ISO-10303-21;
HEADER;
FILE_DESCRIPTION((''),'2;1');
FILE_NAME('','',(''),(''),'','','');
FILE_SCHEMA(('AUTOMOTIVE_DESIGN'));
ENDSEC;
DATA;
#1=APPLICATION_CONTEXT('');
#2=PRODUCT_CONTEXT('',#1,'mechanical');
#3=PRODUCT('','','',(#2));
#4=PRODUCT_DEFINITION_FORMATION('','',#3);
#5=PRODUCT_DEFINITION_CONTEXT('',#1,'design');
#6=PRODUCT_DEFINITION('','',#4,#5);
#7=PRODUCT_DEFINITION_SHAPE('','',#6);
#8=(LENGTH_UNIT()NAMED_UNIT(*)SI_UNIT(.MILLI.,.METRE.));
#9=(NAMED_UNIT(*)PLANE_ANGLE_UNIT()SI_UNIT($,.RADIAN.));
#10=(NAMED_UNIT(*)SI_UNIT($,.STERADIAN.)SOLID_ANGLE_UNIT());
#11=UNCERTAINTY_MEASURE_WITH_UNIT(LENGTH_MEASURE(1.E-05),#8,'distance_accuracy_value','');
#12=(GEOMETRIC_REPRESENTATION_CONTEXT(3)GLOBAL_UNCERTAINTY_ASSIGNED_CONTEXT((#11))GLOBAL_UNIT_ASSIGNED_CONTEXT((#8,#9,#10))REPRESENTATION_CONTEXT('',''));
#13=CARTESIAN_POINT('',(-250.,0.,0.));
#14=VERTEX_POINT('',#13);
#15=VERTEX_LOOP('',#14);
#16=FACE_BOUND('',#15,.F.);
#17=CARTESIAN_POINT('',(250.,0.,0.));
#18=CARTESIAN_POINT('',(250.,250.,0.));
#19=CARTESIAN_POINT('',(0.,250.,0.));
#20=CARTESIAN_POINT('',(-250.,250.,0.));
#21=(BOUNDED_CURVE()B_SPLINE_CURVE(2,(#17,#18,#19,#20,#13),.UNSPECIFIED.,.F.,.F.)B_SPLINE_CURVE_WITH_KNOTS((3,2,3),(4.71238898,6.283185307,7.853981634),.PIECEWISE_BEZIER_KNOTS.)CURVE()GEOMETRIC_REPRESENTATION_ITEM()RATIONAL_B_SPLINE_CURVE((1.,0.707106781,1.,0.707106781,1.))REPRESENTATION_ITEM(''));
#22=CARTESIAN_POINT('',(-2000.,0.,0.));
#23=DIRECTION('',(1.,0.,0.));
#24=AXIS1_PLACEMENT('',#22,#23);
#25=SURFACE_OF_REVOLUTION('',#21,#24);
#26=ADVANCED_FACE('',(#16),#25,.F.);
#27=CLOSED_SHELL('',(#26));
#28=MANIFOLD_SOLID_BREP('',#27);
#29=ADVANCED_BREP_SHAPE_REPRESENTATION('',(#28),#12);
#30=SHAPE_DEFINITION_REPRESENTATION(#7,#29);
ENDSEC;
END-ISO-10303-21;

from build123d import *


with BuildPart() as part:
    # Эскиз3 → Revolve 149 (revolve)
    with BuildSketch(Plane.XY):
        with BuildLine():
            Line((-250, 0), (250, 0))
            add(Edge.make_bspline(
                [(250, 0), (250, 250), (0, 250), (-250, 250), (-250, 0)],
                knots=[4.71238898, 4.71238898, 4.71238898, 6.283185307, 6.283185307, 7.853981634, 7.853981634, 7.853981634], degree=2, weights=[1, 0.707106781, 1, 0.707106781, 1]))
        make_face()
    revolve(axis=Axis((-2000, 0, 0), (1, 0, 0)))


solid = part.part
